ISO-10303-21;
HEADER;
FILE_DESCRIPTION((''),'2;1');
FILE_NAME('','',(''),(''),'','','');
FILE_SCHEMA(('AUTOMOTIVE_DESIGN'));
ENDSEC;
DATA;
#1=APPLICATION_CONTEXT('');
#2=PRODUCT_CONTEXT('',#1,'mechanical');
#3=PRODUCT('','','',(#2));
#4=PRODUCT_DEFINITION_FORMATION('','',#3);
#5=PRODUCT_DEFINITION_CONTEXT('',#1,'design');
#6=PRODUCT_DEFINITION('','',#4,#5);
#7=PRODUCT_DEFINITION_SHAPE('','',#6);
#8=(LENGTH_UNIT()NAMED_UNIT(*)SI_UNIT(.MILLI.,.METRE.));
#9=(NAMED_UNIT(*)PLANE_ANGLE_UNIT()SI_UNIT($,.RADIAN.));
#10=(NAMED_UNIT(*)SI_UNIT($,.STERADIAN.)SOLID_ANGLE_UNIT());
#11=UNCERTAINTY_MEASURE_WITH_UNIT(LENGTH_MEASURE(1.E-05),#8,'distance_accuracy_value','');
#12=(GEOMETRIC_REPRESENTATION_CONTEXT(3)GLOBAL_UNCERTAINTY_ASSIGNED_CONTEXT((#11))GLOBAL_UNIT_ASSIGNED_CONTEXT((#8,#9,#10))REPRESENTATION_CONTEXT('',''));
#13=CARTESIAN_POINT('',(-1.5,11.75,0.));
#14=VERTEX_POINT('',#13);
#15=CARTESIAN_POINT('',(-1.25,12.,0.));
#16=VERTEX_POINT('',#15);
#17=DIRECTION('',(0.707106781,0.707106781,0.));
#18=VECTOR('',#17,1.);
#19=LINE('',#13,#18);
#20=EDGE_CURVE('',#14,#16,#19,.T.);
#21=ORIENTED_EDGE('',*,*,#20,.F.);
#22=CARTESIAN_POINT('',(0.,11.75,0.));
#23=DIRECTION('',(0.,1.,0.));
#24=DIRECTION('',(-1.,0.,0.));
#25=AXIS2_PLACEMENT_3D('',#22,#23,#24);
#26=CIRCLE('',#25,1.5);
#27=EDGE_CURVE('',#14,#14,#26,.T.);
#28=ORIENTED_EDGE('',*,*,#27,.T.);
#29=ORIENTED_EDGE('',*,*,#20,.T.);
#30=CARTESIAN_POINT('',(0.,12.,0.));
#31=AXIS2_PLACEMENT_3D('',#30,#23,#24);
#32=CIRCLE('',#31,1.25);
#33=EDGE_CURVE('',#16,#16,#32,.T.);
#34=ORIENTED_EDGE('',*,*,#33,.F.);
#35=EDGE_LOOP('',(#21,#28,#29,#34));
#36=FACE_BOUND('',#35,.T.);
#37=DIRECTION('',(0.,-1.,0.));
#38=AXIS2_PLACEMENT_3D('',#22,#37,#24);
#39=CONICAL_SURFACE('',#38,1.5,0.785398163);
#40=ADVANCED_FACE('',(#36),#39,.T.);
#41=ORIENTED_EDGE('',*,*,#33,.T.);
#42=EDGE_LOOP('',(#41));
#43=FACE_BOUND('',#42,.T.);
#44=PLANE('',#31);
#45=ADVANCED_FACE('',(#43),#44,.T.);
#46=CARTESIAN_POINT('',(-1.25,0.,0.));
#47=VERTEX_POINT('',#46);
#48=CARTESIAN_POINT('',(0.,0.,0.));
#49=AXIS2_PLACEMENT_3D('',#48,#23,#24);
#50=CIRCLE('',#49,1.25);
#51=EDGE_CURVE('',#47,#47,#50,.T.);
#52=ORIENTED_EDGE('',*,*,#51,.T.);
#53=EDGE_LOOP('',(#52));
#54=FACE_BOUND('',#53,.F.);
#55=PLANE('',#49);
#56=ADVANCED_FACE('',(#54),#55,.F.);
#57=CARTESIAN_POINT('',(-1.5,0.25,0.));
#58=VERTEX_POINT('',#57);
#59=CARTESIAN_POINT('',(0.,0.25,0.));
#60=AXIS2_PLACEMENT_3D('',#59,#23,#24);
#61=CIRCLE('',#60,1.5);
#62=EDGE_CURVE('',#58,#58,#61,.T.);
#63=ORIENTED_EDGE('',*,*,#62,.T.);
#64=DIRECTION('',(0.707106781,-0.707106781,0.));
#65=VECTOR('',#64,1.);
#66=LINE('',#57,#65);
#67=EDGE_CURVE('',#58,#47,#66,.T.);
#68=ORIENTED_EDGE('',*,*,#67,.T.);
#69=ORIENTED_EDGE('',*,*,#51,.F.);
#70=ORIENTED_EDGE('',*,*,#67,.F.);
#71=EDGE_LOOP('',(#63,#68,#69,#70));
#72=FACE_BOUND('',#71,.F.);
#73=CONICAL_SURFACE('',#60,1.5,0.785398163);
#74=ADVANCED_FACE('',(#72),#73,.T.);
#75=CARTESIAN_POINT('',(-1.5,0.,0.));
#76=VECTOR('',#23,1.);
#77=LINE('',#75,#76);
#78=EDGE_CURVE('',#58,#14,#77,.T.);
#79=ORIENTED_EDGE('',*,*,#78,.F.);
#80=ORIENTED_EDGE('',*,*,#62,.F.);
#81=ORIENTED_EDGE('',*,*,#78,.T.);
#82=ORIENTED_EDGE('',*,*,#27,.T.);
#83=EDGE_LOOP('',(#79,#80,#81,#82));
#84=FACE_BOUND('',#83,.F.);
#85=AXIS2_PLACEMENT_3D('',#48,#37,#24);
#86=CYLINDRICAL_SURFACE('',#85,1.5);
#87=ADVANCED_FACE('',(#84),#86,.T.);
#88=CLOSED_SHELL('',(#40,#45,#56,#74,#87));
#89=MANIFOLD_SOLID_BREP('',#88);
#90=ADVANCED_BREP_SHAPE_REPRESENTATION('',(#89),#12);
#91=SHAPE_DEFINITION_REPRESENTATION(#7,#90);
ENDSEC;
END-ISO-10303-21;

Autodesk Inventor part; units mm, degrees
ref_plane "YZ Plane" through (0, 0, 0) normal (1, 0, 0) x (0, 1, 0)
ref_plane "XZ Plane" through (0, 0, 0) normal (0, 1, 0) x (-1, 0, 0)
ref_plane "XY Plane" through (0, 0, 0) normal (0, 0, 1) x (1, 0, 0)
sketch "Sketch1" plane through (0, 0, 0) normal (0, 1, 0) x (-1, 0, 0)
  circle A0 centre (0, 0) radius 1.5
  dimension "d0" = 3
extrude "Extrusion1" add sketch "Sketch1" along normal blind 12
chamfer "Chamfer1" distance 0.25 angle 45 2 edges at (1.5, 12, 0) (1.5, 0, 0)
properties part number "3x30 Pin" material "Stainless Steel, 440C"
